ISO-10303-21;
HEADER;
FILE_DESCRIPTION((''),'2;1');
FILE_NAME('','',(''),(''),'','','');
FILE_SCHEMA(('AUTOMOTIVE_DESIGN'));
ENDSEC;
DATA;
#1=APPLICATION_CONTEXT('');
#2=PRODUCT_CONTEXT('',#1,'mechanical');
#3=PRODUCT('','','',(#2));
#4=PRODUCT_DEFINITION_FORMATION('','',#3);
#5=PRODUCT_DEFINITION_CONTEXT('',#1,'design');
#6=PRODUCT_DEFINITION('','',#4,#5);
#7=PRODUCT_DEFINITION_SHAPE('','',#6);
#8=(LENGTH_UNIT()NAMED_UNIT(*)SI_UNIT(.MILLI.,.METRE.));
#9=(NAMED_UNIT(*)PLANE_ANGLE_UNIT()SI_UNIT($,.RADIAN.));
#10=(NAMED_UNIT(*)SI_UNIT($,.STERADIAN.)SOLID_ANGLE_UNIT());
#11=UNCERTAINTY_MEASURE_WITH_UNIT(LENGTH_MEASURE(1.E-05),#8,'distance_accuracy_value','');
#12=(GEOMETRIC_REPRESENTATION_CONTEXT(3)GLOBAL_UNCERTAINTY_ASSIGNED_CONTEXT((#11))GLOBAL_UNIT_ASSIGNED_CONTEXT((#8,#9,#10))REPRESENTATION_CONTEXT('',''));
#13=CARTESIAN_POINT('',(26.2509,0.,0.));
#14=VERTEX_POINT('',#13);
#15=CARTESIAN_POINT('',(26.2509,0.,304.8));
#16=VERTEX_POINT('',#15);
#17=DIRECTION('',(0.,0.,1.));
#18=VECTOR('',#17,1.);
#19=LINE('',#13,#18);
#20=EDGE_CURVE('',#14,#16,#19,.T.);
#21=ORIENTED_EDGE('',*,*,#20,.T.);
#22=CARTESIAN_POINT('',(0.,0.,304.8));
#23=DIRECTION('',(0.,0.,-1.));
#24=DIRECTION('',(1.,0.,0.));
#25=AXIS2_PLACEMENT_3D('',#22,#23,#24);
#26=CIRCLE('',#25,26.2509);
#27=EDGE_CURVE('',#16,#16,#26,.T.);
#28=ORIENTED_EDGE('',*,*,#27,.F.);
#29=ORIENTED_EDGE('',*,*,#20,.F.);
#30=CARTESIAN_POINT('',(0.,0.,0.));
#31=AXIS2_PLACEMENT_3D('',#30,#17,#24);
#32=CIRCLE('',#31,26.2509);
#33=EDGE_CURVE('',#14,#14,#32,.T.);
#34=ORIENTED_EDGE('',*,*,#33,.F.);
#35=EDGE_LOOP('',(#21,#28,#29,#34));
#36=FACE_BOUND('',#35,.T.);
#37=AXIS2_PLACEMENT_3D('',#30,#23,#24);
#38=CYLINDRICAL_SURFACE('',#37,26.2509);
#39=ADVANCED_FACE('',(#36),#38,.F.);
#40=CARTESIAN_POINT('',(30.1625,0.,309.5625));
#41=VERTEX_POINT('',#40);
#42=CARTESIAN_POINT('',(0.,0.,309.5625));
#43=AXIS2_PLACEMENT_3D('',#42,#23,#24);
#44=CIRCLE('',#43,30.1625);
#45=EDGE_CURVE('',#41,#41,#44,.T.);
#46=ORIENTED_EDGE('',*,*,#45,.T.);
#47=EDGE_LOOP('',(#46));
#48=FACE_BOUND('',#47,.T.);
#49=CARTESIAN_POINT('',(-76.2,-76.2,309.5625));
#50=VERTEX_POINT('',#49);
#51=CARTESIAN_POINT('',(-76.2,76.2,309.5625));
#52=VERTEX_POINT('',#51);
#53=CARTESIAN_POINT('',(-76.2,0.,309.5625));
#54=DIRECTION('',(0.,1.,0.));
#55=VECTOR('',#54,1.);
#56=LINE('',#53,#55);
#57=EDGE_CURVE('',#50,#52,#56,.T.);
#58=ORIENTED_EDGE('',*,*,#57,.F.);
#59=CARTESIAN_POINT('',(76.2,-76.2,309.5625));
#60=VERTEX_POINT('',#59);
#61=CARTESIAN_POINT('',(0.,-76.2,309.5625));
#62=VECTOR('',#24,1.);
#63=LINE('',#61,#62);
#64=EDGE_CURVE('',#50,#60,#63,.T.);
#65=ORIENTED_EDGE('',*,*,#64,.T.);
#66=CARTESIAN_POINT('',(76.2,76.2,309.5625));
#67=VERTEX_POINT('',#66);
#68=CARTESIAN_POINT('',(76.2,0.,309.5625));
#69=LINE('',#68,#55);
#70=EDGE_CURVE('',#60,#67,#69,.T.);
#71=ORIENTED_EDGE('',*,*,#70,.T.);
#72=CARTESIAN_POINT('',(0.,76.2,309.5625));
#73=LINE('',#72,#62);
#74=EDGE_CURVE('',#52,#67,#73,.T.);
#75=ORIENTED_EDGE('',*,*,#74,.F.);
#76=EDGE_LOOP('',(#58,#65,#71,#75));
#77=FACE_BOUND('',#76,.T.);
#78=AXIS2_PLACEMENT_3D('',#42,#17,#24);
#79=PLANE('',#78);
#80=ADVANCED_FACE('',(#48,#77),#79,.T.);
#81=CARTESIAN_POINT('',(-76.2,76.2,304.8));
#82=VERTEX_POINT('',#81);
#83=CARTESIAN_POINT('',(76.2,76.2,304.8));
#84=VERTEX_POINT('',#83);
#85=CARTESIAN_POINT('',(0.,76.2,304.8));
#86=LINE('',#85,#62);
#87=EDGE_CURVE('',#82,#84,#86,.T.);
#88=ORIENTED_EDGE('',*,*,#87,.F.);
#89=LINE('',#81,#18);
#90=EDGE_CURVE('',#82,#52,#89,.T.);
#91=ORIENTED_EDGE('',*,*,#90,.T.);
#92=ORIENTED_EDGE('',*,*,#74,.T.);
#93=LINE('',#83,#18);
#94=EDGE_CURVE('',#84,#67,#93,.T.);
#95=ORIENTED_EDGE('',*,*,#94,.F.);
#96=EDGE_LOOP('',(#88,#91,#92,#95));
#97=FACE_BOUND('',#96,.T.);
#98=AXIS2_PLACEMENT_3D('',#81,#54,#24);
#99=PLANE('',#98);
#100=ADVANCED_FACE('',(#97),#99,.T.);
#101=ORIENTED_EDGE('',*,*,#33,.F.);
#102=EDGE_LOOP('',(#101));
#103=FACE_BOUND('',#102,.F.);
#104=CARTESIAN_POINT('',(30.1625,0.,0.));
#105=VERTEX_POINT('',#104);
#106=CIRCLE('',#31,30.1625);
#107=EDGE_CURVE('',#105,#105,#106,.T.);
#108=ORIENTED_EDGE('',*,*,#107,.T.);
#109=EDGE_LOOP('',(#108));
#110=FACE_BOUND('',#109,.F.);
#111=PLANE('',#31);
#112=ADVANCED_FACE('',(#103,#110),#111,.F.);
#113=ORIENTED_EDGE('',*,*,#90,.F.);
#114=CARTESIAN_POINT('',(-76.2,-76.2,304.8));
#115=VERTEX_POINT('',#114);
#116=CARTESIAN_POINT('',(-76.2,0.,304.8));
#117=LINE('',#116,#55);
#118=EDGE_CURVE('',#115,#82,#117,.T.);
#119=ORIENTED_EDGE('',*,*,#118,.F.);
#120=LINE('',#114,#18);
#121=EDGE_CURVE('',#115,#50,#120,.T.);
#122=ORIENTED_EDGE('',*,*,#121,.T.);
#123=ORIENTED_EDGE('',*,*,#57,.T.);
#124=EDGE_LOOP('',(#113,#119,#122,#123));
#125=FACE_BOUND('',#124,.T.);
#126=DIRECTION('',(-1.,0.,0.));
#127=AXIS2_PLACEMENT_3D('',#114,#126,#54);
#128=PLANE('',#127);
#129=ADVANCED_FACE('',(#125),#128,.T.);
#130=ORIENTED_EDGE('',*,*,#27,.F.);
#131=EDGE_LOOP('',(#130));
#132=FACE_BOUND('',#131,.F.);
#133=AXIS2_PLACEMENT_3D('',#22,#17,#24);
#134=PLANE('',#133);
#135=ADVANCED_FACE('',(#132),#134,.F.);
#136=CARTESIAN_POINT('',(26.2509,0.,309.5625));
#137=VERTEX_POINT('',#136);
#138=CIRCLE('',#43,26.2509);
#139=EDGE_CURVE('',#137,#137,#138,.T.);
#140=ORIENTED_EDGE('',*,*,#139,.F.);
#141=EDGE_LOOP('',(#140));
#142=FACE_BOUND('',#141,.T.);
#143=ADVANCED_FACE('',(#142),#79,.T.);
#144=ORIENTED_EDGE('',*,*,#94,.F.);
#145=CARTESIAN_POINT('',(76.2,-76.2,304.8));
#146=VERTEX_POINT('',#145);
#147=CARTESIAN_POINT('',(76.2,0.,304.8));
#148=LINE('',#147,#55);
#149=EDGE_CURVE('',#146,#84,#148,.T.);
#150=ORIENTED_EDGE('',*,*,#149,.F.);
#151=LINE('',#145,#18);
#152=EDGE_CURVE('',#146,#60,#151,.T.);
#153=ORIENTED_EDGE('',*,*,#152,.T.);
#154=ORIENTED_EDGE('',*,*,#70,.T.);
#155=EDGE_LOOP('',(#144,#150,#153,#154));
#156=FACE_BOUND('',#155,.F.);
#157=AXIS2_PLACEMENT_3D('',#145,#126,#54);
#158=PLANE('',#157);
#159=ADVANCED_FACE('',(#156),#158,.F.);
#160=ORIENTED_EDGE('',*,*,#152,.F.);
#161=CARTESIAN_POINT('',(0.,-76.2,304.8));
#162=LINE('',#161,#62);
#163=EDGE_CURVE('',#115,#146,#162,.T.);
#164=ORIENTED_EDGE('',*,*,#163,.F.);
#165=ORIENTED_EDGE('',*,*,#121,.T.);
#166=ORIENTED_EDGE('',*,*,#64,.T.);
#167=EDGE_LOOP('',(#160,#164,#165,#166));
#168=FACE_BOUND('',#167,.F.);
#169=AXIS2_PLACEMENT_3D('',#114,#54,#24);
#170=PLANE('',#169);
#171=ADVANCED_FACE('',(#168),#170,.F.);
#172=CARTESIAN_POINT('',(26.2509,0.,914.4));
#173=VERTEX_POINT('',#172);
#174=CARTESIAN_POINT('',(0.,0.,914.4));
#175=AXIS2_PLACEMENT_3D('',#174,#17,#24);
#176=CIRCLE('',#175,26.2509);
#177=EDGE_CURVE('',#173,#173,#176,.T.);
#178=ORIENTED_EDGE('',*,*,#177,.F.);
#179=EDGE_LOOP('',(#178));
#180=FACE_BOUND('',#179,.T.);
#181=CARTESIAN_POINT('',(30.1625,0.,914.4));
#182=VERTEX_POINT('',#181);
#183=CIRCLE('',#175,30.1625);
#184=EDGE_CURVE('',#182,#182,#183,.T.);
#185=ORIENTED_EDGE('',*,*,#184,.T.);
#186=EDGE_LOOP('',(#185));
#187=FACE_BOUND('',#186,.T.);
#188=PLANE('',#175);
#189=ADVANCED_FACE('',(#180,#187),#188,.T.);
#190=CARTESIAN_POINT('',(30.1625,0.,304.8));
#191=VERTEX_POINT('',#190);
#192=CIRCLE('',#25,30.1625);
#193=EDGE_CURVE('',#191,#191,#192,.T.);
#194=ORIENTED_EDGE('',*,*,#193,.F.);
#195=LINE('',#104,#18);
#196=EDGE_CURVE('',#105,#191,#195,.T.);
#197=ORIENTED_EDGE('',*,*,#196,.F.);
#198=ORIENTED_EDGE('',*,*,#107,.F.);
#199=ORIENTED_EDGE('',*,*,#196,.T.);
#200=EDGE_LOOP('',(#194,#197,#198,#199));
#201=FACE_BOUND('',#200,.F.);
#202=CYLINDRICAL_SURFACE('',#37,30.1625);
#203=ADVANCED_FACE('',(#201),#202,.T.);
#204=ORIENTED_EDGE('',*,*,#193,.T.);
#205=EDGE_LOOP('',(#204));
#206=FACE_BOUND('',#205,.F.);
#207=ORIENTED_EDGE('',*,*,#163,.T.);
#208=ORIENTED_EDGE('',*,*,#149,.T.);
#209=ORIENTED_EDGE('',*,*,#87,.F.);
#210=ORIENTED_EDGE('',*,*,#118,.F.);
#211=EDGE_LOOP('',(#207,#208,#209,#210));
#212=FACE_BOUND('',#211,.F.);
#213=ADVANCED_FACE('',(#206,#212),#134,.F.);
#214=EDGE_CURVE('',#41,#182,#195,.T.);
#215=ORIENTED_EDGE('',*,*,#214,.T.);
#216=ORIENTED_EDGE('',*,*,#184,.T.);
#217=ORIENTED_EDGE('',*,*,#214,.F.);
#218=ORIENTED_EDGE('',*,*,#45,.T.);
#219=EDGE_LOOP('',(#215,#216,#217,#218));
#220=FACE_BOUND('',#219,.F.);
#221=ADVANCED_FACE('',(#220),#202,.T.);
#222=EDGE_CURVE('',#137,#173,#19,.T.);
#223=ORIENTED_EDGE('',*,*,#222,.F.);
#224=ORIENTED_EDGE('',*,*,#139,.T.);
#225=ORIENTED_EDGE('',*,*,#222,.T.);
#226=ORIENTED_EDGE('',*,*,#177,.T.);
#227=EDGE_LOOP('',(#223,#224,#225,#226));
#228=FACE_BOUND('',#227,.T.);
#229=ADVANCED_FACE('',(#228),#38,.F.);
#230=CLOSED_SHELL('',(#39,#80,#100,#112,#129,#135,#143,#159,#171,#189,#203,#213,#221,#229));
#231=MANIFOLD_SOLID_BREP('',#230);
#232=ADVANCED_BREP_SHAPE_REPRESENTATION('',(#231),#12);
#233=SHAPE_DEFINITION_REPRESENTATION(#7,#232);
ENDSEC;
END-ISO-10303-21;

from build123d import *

# Parameters (mm, degrees)
F0_R     = 30.1625
F0_R_2   = 26.2509
F1_DEPTH = 914.4
F3_W     = 152.4
F3_H     = 152.4
F4_DEPTH = 4.7625


with BuildPart() as f1:
    # F0 (on Top) → F1 (new body)
    with BuildSketch(Plane.XY):
        Circle(F0_R)
        Circle(F0_R_2, mode=Mode.SUBTRACT)
    extrude(amount=F1_DEPTH)

    # F3 (on offset) → F4 (join)
    with BuildSketch(Plane.XY.offset(304.8)):
        Rectangle(F3_W, F3_H)
    extrude(amount=F4_DEPTH)


solid = f1.part
